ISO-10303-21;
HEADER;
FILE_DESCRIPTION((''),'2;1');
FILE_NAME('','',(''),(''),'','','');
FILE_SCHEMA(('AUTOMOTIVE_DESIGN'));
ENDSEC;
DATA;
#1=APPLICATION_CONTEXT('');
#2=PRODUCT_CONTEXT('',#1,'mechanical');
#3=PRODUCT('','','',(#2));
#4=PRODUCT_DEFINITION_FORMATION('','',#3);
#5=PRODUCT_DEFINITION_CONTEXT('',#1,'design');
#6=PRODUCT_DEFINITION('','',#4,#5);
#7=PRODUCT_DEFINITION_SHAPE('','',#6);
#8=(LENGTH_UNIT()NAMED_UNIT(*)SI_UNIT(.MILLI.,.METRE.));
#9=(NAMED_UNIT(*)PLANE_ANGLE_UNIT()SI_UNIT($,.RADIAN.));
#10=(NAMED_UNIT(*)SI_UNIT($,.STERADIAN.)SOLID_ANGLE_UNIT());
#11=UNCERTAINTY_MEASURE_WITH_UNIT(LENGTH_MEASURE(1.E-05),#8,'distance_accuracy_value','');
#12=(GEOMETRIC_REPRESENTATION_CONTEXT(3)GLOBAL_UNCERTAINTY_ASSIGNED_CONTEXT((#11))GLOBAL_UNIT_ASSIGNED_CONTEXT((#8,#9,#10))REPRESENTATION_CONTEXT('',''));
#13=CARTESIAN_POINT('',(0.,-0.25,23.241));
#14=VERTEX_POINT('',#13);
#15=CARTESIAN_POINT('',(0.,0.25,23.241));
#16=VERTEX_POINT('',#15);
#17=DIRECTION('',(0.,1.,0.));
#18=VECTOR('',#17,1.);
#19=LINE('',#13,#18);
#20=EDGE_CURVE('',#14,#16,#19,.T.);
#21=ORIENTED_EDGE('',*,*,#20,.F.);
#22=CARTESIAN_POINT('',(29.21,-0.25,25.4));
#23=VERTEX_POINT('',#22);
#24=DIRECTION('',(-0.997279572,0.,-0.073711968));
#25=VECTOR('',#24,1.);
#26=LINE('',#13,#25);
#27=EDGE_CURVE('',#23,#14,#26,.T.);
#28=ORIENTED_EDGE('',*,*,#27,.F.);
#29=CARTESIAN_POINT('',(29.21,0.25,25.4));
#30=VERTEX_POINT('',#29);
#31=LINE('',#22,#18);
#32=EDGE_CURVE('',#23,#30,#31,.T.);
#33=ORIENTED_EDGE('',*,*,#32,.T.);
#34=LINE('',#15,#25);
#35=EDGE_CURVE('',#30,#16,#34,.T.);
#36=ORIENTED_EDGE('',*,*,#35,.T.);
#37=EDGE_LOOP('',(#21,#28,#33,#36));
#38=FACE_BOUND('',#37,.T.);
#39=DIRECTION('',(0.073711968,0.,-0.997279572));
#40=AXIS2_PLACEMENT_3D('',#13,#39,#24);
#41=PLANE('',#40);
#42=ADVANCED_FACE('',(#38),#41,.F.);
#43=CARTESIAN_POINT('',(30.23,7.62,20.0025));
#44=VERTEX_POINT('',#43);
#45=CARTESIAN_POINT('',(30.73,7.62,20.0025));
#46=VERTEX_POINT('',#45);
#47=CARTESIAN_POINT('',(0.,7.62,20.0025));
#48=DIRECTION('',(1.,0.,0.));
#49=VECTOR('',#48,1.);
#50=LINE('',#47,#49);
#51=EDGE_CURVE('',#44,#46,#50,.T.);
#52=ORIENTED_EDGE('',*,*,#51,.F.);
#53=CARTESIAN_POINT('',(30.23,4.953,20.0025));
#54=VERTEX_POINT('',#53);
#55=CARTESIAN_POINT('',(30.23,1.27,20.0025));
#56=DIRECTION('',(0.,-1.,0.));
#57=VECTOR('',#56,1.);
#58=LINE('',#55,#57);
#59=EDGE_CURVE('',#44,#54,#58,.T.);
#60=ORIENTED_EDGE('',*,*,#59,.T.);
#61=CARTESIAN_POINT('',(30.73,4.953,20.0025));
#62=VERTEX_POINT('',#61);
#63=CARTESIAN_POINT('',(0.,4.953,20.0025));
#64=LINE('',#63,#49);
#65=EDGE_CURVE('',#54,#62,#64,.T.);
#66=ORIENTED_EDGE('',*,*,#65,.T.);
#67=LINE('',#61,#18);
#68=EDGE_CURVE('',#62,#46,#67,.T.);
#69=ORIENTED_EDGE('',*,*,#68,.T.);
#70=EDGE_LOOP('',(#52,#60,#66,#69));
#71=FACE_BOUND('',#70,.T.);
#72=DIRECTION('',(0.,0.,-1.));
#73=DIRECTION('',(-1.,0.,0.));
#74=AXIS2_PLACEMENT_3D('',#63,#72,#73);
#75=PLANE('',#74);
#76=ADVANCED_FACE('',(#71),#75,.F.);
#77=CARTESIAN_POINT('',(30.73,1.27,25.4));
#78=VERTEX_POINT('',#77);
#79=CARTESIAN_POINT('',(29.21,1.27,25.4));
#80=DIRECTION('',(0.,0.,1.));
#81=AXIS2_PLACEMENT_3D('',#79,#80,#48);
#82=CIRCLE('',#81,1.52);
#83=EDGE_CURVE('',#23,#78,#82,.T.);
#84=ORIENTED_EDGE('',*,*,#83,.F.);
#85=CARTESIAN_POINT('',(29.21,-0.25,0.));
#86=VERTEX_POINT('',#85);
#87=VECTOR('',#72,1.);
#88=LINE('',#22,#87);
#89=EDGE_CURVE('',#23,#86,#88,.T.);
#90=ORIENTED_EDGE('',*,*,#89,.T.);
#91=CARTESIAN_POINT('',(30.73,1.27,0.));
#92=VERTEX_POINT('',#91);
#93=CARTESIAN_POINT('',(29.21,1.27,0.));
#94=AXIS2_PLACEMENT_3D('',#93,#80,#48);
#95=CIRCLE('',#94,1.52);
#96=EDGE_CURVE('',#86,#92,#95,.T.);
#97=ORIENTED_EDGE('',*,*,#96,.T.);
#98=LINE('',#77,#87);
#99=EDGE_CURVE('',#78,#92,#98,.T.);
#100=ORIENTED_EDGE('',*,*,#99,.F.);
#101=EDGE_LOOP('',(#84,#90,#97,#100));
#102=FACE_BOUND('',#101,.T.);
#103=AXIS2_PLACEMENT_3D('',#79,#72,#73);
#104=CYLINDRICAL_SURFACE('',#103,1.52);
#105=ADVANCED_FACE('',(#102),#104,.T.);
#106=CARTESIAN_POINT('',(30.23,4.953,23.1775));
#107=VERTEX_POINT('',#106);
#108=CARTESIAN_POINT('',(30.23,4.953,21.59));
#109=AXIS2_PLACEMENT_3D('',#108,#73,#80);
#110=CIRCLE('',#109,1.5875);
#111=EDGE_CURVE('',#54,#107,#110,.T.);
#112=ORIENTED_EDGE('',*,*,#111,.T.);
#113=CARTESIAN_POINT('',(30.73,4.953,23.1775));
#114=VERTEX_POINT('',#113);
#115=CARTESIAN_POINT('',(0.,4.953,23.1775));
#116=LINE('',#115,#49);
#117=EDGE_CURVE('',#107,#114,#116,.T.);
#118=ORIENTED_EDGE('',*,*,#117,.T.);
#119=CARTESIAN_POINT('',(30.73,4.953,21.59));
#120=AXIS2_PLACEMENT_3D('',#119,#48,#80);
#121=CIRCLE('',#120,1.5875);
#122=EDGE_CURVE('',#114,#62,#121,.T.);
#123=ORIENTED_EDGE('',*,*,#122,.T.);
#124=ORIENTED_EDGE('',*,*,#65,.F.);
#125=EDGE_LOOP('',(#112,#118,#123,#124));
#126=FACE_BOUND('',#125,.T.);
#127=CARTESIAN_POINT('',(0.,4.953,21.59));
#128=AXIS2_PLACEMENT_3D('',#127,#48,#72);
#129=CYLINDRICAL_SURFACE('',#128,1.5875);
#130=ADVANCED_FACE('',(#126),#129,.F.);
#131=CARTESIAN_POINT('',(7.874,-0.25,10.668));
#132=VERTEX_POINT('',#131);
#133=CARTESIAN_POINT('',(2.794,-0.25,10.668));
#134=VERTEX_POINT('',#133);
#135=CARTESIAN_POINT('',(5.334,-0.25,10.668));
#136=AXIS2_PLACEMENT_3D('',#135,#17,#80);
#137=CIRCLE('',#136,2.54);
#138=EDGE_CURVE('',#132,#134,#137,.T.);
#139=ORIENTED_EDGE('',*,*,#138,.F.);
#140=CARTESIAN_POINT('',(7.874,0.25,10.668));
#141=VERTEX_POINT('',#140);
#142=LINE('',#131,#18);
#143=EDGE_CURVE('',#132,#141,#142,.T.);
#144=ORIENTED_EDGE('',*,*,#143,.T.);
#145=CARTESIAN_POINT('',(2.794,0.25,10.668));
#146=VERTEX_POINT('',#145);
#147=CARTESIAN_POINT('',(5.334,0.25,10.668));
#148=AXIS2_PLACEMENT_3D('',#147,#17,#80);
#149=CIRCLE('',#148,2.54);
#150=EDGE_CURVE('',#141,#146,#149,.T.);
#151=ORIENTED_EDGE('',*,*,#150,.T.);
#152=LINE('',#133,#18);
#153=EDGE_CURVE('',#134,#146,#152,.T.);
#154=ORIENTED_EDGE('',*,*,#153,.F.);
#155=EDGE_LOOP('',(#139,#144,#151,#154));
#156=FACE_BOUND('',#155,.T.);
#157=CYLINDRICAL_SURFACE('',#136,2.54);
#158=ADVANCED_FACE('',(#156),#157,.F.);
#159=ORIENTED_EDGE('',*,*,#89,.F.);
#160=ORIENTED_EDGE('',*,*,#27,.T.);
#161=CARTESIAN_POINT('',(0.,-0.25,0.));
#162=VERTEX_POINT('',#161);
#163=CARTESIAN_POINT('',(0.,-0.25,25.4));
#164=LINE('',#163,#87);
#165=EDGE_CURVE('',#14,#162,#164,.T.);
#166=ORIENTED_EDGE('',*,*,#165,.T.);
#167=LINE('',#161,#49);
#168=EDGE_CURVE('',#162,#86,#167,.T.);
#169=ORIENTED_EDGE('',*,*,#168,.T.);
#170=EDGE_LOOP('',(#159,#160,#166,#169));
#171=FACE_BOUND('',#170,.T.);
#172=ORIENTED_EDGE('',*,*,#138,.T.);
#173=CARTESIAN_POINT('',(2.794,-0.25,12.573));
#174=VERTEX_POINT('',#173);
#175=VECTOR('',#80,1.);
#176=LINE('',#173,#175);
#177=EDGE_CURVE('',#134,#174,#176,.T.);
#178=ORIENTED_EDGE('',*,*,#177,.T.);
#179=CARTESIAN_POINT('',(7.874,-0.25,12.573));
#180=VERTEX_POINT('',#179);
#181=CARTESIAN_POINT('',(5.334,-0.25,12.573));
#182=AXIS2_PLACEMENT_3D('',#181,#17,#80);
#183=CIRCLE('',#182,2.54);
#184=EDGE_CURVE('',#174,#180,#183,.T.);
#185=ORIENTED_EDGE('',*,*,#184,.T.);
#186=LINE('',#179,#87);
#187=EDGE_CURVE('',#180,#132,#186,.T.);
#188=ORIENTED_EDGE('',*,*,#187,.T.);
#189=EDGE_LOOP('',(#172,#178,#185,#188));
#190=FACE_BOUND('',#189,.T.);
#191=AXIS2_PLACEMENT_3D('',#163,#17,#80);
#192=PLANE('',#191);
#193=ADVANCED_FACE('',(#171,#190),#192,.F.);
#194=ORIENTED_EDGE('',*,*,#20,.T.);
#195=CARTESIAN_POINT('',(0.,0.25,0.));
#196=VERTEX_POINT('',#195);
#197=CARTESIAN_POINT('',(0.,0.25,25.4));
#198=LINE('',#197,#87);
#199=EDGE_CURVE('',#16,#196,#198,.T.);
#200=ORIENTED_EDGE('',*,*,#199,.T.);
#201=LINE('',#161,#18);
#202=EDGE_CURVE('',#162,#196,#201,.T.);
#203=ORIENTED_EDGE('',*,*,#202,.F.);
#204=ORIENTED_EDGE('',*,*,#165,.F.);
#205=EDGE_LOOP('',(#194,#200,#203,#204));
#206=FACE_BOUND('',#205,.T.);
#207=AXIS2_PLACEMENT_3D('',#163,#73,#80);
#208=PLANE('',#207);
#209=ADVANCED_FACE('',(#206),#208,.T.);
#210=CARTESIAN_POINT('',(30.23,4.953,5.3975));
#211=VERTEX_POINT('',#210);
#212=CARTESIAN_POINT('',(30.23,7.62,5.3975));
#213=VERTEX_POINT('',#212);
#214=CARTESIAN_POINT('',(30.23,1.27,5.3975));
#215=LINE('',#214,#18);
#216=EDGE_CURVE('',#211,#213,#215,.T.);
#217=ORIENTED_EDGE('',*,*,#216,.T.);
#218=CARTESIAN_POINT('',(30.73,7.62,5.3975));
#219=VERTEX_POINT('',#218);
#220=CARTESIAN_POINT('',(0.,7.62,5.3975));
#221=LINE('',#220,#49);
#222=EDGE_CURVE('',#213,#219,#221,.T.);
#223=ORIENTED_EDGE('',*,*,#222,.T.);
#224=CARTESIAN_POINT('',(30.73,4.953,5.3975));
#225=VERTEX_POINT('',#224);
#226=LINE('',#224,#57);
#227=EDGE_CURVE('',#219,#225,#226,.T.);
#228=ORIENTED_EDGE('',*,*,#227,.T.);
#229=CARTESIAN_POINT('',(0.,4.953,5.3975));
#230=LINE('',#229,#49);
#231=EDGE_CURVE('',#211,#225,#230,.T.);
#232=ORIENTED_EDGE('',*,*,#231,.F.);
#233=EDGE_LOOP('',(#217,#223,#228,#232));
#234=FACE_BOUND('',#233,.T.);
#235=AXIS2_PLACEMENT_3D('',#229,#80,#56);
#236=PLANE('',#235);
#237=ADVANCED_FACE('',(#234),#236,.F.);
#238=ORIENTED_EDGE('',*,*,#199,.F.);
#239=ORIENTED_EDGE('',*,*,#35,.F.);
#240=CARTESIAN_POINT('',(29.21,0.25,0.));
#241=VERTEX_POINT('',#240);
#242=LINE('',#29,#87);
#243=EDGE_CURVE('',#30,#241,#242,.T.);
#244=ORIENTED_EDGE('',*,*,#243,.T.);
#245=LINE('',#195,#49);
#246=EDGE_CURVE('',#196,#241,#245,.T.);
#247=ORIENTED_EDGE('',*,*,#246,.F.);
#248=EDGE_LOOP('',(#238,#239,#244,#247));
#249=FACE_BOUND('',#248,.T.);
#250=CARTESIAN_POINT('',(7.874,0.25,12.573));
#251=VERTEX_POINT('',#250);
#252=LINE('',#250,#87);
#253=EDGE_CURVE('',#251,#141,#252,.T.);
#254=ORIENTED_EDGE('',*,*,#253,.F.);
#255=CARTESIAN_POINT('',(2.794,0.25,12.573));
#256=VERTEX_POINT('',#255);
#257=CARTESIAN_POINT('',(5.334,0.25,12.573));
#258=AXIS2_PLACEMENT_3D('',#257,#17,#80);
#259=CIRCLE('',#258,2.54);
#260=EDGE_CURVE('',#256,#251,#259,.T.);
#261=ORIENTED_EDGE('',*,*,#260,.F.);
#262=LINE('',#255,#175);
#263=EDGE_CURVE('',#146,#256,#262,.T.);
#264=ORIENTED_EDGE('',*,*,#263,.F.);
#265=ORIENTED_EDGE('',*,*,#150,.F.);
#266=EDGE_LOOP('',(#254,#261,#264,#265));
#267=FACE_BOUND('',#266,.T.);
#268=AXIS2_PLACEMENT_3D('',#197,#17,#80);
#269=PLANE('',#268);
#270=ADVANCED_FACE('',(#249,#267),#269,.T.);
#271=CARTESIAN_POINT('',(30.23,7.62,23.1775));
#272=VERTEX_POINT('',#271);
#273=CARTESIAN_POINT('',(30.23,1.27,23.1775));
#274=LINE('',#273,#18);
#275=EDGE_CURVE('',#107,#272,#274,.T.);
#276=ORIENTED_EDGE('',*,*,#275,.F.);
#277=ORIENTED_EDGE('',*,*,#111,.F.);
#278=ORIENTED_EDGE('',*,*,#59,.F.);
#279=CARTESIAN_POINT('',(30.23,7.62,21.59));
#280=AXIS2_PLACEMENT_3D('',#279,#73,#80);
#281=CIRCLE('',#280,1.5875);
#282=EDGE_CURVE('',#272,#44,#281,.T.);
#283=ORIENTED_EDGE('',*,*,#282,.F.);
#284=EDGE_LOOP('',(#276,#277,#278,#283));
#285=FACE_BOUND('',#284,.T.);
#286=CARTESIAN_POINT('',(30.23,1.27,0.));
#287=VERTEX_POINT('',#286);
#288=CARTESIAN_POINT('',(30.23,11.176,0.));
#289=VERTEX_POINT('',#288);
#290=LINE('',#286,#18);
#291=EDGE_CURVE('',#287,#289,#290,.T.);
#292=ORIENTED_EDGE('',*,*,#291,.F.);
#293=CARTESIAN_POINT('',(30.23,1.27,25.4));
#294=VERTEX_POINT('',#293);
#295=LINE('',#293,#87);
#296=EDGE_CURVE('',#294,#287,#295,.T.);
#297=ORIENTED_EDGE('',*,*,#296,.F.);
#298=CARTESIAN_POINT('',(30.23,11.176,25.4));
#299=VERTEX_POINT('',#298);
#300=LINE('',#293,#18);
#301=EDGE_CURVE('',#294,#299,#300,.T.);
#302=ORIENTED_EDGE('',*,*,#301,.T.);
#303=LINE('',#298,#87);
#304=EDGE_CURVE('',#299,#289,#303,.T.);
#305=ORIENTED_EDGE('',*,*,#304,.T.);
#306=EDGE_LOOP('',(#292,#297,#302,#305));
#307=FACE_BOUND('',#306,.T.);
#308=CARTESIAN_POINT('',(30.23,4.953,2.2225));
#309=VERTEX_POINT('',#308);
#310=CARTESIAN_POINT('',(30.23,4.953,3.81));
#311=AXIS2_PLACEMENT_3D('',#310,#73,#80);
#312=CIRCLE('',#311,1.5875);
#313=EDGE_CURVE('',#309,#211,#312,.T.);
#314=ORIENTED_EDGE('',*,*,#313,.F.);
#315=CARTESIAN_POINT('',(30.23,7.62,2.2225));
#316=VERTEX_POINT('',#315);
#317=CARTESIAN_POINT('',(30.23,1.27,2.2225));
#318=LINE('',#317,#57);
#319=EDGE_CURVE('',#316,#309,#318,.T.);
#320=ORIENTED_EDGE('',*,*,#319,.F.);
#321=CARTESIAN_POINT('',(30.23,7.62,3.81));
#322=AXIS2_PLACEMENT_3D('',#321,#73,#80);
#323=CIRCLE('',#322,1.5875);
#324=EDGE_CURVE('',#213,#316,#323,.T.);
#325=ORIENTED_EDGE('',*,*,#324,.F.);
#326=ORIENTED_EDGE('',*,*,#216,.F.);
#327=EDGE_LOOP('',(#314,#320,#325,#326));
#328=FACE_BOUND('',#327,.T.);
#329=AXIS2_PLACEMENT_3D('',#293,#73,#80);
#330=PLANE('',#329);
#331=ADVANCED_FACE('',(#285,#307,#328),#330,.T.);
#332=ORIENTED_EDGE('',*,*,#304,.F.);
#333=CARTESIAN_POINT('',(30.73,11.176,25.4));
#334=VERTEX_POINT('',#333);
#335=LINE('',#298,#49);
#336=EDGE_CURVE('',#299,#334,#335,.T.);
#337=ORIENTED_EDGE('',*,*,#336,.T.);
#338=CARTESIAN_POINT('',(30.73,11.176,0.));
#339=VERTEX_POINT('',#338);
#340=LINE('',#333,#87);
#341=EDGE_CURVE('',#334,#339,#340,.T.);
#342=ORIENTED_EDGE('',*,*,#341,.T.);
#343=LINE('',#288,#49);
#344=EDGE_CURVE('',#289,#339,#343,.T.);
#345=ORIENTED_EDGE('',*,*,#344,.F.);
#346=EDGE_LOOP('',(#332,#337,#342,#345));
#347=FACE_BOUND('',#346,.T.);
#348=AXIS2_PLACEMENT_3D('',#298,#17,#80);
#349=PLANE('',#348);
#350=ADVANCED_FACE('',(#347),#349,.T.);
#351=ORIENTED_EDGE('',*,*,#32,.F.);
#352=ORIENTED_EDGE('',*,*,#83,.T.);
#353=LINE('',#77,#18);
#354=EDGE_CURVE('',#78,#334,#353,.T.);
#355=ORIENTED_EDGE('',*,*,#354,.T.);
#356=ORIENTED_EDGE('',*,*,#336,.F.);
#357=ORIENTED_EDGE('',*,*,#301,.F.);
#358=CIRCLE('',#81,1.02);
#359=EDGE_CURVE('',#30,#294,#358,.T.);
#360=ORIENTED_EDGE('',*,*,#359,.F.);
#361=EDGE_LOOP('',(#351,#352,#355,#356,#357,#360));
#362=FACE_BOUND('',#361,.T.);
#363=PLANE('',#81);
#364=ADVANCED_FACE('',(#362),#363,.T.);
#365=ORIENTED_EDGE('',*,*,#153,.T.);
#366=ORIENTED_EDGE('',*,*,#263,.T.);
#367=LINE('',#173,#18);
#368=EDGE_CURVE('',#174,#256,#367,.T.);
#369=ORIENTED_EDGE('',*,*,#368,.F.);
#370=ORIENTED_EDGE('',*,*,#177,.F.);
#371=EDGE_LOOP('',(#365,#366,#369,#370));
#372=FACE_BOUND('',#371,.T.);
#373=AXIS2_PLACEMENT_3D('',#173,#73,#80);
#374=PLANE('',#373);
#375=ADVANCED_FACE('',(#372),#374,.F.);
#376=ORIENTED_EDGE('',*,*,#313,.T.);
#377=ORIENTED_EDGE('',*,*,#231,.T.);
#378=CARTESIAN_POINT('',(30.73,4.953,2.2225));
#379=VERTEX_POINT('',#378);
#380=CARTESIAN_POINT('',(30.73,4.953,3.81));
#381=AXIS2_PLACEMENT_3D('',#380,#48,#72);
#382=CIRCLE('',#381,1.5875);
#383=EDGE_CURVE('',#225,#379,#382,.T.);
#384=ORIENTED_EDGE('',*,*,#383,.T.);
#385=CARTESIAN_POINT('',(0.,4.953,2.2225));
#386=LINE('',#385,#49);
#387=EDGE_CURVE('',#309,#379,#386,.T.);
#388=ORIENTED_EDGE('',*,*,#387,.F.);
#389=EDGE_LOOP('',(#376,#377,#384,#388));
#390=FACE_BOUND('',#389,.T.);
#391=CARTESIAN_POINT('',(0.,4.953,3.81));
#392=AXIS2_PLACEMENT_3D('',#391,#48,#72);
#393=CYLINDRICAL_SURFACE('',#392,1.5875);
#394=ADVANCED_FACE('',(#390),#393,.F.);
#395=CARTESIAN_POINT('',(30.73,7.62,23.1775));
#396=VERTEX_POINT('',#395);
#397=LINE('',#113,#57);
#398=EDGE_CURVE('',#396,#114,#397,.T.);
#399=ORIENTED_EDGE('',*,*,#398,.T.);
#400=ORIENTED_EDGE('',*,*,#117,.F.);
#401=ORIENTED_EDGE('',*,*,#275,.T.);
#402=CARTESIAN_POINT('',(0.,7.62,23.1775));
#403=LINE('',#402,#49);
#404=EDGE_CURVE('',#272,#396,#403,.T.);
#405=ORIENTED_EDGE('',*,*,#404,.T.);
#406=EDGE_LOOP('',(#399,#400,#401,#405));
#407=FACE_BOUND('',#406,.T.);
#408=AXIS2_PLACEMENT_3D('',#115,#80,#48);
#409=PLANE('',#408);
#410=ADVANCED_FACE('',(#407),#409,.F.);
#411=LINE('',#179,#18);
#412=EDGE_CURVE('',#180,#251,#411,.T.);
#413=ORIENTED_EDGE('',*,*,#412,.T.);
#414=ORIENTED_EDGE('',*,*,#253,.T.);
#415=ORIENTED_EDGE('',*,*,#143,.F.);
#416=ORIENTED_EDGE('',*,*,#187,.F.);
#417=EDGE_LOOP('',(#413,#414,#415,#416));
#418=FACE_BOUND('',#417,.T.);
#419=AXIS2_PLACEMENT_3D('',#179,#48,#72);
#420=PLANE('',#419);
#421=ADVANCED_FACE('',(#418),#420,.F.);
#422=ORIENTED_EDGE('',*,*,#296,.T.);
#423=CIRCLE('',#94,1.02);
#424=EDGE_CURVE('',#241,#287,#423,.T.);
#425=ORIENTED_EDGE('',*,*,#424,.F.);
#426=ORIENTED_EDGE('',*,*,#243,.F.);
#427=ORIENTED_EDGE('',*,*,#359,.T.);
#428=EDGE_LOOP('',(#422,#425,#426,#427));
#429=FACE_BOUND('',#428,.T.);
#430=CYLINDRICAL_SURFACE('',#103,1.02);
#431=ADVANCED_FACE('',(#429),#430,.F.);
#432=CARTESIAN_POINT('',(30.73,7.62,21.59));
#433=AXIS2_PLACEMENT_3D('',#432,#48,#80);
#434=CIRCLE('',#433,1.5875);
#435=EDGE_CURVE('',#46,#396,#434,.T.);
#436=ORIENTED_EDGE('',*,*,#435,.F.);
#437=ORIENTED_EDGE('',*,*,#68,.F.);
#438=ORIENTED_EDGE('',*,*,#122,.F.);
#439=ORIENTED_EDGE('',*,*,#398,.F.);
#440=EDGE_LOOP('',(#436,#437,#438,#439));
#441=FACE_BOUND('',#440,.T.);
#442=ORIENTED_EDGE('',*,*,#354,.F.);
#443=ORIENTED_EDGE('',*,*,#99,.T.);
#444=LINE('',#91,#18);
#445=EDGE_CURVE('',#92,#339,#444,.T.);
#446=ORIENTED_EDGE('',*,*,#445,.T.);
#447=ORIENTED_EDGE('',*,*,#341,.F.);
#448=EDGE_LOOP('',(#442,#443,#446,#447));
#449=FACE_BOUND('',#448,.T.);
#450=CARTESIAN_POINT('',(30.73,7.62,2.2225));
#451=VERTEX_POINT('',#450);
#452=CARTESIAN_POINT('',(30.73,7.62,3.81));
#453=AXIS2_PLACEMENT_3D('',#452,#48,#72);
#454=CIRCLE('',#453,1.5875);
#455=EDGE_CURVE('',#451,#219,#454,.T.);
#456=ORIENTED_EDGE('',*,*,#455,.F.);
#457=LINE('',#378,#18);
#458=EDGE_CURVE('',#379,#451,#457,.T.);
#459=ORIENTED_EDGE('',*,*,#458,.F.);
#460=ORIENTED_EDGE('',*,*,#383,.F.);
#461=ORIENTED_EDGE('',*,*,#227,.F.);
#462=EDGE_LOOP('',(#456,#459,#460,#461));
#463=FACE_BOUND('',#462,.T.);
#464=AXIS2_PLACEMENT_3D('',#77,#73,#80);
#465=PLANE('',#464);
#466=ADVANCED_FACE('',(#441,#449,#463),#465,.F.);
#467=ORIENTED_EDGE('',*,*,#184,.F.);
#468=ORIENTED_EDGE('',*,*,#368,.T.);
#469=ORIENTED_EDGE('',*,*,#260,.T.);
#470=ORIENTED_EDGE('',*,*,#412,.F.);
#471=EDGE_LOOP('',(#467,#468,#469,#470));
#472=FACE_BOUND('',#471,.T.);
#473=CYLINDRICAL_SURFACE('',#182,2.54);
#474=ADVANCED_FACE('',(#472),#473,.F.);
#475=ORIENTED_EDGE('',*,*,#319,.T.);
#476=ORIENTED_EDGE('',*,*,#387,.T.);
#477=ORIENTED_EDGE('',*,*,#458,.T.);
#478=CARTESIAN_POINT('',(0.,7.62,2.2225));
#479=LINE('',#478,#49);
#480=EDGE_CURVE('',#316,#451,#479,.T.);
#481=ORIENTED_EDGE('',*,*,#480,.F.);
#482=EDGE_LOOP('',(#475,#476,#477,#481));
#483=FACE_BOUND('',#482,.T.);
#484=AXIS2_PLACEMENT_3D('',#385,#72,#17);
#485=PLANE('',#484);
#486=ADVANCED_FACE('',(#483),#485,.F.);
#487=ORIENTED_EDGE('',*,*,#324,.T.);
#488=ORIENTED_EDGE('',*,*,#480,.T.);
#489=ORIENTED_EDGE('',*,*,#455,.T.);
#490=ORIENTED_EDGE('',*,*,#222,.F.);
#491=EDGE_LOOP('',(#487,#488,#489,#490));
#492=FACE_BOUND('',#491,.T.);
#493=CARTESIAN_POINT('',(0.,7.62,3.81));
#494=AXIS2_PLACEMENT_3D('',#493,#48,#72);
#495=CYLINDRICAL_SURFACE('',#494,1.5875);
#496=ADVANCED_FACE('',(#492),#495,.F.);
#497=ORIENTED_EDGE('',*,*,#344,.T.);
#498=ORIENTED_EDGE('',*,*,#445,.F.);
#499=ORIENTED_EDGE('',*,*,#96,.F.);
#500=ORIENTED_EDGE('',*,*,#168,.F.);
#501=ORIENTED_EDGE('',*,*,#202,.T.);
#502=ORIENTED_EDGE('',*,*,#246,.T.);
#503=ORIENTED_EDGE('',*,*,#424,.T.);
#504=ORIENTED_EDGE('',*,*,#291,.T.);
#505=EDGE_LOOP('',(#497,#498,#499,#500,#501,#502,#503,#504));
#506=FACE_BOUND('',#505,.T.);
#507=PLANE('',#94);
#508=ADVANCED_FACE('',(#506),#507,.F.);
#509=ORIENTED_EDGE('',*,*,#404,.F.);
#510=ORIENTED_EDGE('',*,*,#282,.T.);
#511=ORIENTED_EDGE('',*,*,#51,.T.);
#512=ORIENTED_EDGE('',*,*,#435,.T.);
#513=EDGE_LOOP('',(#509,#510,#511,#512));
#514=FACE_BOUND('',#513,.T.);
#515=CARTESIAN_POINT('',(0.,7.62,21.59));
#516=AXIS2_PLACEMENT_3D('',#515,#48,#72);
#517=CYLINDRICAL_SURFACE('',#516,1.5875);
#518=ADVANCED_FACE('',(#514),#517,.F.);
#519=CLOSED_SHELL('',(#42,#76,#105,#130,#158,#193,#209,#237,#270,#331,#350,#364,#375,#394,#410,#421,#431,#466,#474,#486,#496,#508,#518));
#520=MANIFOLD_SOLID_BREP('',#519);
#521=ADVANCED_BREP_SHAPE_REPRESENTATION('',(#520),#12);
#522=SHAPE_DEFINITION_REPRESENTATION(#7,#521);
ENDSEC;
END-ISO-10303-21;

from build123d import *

# Parameters (mm, degrees)
EXTRUDE_THIN1_DEPTH = 25.4
CUT_EXTRUDE1_DEPTH  = 42.405263868
CUT_EXTRUDE2_DEPTH  = 42.33848541


with BuildPart() as part:
    # Sketch3 → Extrude-Thin1 (new body)
    with BuildSketch(Plane.XY):
        with BuildLine():
            Line((0, -0.25), (29.21, -0.25))
            ThreePointArc((29.21, -0.25), (30.284802307, 0.195197693), (30.73, 1.27))
            Line((30.73, 1.27), (30.73, 11.176))
            Line((30.73, 11.176), (30.23, 11.176))
            Line((30.23, 11.176), (30.23, 1.27))
            ThreePointArc((30.23, 1.27), (29.931248917, 0.548751083), (29.21, 0.25))
            Line((29.21, 0.25), (0, 0.25))
            Line((0, 0.25), (0, -0.25))
        make_face()
    extrude(amount=EXTRUDE_THIN1_DEPTH)

    # Sketch4 → Cut-Extrude1 (cut, through all)
    with BuildSketch(Plane(origin=(30.73, 0, 0), x_dir=(0, 0, -1), z_dir=(1, 0, 0))):
        with BuildLine():
            Line((-5.3975, 4.953), (-5.3975, 7.62))
            ThreePointArc((-5.3975, 7.62), (-3.81, 9.2075), (-2.2225, 7.62))
            Line((-2.2225, 7.62), (-2.2225, 4.953))
            ThreePointArc((-2.2225, 4.953), (-3.81, 3.3655), (-5.3975, 4.953))
        make_face()
        with BuildLine():
            Line((-20.0025, 4.953), (-20.0025, 7.62))
            ThreePointArc((-20.0025, 7.62), (-21.59, 9.2075), (-23.1775, 7.62))
            Line((-23.1775, 7.62), (-23.1775, 4.953))
            ThreePointArc((-23.1775, 4.953), (-21.59, 3.3655), (-20.0025, 4.953))
        make_face()
    extrude(amount=-CUT_EXTRUDE1_DEPTH, mode=Mode.SUBTRACT)

    # Sketch5 → Cut-Extrude2 (cut, through all)
    with BuildSketch(Plane(origin=(0, 0.25, 0), x_dir=(1, 0, 0), z_dir=(0, 1, 0))):
        with BuildLine():
            Line((2.794, -12.573), (2.794, -10.668))
            ThreePointArc((2.794, -10.668), (5.334, -8.128), (7.874, -10.668))
            Line((7.874, -10.668), (7.874, -12.573))
            ThreePointArc((7.874, -12.573), (5.334, -15.113), (2.794, -12.573))
        make_face()
        Polygon((29.21, -25.4), (0, -25.4), (0, -23.241), align=None)
    extrude(amount=-CUT_EXTRUDE2_DEPTH, mode=Mode.SUBTRACT)


solid = part.part
